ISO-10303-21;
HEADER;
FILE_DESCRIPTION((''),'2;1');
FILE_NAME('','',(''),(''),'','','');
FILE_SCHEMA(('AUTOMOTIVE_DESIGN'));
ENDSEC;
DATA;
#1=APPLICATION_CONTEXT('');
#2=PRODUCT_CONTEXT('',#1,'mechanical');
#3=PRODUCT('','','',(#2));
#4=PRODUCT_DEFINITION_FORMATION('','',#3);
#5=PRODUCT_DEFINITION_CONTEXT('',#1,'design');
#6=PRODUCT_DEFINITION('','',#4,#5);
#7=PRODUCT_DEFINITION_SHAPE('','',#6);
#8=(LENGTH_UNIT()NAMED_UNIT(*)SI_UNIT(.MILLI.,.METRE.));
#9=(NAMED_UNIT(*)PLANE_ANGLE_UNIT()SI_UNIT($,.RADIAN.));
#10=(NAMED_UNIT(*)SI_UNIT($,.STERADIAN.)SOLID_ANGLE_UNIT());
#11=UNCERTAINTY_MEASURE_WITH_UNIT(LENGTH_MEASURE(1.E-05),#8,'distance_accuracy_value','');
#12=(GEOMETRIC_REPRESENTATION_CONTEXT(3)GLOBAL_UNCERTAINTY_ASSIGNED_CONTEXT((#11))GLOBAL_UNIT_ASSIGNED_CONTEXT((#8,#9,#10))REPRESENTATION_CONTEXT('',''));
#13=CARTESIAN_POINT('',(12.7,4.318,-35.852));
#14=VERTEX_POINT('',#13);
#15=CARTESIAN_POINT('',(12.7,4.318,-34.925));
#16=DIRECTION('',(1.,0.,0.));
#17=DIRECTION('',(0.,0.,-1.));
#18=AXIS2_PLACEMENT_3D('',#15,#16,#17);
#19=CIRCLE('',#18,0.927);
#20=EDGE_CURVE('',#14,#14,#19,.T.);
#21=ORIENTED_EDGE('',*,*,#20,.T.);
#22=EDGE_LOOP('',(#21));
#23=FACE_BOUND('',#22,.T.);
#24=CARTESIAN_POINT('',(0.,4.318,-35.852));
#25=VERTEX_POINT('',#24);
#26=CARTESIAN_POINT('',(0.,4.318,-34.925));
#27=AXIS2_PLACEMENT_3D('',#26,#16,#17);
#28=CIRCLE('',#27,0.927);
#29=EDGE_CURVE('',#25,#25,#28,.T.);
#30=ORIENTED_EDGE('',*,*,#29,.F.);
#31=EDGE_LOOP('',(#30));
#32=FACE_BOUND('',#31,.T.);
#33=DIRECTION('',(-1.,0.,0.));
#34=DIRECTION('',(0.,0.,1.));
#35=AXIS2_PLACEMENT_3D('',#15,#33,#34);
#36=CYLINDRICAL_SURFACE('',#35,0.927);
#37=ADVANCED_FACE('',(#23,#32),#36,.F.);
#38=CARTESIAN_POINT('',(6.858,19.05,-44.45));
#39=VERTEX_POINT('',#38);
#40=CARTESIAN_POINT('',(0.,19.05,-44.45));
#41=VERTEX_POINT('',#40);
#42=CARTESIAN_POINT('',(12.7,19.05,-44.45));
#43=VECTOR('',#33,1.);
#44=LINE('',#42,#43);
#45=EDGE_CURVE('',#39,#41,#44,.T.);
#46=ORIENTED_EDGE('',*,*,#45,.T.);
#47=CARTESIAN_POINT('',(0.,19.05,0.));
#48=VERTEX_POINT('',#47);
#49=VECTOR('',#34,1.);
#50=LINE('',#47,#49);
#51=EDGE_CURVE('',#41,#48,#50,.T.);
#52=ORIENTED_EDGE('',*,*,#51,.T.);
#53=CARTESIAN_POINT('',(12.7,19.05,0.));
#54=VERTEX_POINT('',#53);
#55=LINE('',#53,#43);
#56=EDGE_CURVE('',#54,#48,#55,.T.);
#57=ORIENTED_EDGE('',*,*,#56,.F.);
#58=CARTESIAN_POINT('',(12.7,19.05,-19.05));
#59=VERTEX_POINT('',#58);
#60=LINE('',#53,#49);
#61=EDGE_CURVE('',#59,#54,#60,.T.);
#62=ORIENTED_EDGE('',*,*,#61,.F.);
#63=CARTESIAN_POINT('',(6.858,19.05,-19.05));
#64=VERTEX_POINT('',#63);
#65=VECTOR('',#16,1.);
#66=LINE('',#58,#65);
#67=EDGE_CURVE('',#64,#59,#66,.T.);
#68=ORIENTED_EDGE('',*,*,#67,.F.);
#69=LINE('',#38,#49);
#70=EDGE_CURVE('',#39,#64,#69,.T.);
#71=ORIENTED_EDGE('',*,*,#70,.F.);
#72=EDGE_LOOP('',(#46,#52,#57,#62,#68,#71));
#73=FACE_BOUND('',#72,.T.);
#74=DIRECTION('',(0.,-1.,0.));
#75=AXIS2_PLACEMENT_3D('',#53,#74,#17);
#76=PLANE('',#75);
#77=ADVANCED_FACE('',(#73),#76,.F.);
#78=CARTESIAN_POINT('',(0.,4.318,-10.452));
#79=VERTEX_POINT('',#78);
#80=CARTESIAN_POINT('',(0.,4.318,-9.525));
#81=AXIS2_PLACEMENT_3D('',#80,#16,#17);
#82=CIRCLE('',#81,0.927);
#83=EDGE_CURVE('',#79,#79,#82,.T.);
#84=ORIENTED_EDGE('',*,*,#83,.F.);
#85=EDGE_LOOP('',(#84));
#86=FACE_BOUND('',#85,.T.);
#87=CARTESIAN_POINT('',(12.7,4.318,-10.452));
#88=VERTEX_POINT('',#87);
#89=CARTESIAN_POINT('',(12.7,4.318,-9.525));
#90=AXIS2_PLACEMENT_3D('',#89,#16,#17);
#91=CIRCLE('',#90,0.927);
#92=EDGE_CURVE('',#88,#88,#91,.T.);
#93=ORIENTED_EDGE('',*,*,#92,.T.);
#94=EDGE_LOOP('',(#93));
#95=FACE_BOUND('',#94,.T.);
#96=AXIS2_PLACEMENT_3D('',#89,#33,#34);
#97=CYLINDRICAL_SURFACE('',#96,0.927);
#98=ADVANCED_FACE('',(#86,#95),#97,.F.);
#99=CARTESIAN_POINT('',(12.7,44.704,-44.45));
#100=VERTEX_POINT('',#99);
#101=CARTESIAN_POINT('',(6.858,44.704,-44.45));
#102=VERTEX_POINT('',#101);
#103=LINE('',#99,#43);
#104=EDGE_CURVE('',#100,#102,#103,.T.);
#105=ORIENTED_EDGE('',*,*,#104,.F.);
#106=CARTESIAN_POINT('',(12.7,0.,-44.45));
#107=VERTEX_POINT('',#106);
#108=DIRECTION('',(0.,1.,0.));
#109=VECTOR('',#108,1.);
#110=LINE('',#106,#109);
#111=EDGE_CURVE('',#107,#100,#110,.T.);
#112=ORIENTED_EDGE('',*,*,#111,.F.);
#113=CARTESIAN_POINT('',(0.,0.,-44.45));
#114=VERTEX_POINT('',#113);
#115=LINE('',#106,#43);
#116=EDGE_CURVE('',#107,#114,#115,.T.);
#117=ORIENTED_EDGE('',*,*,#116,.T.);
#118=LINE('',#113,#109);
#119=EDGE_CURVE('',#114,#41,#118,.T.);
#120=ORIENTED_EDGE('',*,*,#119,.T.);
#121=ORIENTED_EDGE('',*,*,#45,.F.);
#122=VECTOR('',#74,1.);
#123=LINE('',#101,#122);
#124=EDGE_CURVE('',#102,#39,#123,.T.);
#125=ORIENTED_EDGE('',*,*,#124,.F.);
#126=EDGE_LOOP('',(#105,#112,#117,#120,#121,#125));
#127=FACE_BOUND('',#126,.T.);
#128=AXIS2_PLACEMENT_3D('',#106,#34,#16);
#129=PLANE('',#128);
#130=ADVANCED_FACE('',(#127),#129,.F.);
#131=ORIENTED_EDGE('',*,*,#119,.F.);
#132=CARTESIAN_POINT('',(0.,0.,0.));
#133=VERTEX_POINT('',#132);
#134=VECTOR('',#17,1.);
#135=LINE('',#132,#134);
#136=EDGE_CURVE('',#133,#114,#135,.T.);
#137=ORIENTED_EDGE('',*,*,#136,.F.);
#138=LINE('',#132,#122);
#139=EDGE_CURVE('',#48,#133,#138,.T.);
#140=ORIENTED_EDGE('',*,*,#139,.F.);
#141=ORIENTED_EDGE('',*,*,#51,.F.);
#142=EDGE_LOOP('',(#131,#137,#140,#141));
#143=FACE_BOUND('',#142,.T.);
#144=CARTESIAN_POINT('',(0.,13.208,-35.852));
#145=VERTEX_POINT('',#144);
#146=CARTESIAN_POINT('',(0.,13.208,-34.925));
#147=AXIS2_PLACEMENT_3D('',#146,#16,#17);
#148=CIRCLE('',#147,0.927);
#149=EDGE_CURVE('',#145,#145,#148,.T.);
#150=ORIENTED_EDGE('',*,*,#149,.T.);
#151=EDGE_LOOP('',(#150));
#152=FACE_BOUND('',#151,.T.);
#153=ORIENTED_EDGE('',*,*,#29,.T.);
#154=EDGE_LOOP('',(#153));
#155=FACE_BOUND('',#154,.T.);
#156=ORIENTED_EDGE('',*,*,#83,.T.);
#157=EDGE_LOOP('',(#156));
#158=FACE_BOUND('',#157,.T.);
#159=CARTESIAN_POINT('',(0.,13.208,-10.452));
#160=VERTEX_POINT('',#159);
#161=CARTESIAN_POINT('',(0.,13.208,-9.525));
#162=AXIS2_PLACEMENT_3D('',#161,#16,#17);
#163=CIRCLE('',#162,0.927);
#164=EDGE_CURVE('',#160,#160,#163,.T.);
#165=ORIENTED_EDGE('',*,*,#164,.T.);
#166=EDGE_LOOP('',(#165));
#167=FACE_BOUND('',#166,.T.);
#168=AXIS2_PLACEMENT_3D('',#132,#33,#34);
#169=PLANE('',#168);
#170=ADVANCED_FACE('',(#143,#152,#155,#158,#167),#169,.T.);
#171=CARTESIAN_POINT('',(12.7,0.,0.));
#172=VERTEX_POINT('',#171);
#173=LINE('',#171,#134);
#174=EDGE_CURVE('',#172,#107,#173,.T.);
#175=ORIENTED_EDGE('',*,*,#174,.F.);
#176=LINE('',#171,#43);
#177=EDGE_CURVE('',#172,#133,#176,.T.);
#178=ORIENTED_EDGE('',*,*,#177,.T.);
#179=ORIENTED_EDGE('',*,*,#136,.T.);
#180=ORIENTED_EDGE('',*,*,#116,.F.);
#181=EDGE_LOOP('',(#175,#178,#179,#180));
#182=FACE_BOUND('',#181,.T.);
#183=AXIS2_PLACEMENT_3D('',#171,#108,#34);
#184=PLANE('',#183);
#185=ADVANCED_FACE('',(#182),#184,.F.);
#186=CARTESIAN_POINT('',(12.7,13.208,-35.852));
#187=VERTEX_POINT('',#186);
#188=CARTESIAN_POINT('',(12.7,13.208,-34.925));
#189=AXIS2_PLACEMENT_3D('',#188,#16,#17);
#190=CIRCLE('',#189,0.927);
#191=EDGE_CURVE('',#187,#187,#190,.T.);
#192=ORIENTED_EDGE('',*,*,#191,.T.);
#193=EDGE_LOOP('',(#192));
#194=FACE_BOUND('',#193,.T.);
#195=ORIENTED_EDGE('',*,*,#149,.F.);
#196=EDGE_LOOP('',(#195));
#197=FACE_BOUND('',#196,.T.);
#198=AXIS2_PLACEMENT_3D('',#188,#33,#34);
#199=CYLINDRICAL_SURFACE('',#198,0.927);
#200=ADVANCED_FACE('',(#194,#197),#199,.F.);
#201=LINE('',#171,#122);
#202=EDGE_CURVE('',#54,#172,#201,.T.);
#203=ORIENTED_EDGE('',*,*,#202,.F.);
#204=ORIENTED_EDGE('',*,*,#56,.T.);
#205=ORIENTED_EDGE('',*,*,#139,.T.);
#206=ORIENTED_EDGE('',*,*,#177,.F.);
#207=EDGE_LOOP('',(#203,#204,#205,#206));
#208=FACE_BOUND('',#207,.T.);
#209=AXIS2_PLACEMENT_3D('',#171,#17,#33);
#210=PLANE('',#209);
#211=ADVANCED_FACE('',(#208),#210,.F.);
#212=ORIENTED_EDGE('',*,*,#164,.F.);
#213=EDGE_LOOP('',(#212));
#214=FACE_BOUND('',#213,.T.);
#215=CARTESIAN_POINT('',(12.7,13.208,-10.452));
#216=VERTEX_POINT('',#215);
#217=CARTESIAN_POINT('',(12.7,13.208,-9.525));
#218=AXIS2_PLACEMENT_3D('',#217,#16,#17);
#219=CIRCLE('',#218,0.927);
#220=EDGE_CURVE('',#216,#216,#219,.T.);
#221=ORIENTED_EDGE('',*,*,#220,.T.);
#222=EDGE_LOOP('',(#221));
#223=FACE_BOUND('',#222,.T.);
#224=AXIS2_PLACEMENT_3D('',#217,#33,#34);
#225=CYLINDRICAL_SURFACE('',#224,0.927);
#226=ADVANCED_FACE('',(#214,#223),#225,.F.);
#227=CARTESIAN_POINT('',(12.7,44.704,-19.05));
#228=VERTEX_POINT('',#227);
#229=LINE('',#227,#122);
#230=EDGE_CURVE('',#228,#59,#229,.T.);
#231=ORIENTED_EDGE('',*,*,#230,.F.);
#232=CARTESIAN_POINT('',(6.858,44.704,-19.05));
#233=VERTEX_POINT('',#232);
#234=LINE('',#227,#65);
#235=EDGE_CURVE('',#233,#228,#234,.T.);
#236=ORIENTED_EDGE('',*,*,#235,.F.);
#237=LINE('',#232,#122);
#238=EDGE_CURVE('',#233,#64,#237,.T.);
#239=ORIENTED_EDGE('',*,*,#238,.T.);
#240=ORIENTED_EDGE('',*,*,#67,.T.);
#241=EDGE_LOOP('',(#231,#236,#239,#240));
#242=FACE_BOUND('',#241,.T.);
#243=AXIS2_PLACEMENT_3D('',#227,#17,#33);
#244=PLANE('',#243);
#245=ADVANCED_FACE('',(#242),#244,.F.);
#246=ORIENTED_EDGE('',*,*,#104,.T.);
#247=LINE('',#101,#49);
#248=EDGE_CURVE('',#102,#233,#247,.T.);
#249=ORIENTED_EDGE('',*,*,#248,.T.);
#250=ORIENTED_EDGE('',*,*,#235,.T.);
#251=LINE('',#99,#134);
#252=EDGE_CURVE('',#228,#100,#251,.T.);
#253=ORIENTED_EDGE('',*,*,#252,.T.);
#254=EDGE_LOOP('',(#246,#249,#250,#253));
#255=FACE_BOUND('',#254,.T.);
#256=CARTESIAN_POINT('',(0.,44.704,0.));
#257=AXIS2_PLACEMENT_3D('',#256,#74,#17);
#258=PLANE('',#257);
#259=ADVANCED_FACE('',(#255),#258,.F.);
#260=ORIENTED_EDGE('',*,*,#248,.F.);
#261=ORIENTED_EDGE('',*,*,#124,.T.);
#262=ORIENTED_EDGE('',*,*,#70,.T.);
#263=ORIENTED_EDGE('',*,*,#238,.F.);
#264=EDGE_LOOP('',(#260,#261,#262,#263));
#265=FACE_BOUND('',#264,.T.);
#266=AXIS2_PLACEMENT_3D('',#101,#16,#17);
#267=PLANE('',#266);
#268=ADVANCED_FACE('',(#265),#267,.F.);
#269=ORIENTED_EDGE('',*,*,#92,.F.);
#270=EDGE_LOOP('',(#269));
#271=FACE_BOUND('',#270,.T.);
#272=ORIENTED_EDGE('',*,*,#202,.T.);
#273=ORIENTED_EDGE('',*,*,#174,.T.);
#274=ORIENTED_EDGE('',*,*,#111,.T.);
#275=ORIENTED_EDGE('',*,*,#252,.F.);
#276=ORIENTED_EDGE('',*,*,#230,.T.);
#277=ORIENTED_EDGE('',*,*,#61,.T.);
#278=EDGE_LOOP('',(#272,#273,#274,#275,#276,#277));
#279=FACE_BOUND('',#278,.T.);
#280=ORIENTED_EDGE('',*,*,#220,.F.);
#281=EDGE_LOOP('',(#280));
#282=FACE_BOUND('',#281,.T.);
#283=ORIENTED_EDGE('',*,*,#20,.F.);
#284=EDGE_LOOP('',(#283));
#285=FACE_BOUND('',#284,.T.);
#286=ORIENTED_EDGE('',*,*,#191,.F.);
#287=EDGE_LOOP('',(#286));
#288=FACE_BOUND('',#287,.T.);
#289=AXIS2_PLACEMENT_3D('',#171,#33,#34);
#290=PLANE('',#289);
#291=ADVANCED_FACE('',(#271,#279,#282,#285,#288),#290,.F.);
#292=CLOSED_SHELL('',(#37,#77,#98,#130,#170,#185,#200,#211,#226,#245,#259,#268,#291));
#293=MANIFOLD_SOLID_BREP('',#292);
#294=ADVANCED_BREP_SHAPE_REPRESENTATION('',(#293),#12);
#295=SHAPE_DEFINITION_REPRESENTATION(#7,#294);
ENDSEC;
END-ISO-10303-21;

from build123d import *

# Parameters (mm, degrees)
SKETCH1_W           = 44.45
SKETCH1_H           = 19.05
BOSS_EXTRUDE1_DEPTH = 12.7
SKETCH3_R           = 0.927000051
CUT_EXTRUDE1_DEPTH  = 50.99995
SKETCH4_W           = 5.842
SKETCH4_H           = 25.4
BOSS_EXTRUDE2_DEPTH = 25.654


with BuildPart() as part:
    # Sketch1 → Boss-Extrude1 (new body)
    with BuildSketch(Plane(origin=(0, 0, 0), x_dir=(0, 0, -1), z_dir=(1, 0, 0))):
        with Locations((22.225, 9.525)):
            Rectangle(SKETCH1_W, SKETCH1_H)
    extrude(amount=BOSS_EXTRUDE1_DEPTH)

    # Sketch3 → Cut-Extrude1 (cut, through all)
    with BuildSketch(Plane(origin=(0, 0, 0), x_dir=(0, 0, -1), z_dir=(1, 0, 0))):
        with Locations((9.525, 4.318)):
            Circle(SKETCH3_R)
        with Locations((34.925, 4.318)):
            Circle(SKETCH3_R)
        with Locations((34.925, 13.208)):
            Circle(SKETCH3_R)
        with Locations((9.525, 13.208)):
            Circle(SKETCH3_R)
    extrude(amount=CUT_EXTRUDE1_DEPTH, mode=Mode.SUBTRACT)

    # Sketch4 → Boss-Extrude2 (add)
    with BuildSketch(Plane(origin=(0, 19.05, 0), x_dir=(1, 0, 0), z_dir=(0, 1, 0))):
        with Locations((9.779, 31.75)):
            Rectangle(SKETCH4_W, SKETCH4_H)
    extrude(amount=BOSS_EXTRUDE2_DEPTH)


solid = part.part
